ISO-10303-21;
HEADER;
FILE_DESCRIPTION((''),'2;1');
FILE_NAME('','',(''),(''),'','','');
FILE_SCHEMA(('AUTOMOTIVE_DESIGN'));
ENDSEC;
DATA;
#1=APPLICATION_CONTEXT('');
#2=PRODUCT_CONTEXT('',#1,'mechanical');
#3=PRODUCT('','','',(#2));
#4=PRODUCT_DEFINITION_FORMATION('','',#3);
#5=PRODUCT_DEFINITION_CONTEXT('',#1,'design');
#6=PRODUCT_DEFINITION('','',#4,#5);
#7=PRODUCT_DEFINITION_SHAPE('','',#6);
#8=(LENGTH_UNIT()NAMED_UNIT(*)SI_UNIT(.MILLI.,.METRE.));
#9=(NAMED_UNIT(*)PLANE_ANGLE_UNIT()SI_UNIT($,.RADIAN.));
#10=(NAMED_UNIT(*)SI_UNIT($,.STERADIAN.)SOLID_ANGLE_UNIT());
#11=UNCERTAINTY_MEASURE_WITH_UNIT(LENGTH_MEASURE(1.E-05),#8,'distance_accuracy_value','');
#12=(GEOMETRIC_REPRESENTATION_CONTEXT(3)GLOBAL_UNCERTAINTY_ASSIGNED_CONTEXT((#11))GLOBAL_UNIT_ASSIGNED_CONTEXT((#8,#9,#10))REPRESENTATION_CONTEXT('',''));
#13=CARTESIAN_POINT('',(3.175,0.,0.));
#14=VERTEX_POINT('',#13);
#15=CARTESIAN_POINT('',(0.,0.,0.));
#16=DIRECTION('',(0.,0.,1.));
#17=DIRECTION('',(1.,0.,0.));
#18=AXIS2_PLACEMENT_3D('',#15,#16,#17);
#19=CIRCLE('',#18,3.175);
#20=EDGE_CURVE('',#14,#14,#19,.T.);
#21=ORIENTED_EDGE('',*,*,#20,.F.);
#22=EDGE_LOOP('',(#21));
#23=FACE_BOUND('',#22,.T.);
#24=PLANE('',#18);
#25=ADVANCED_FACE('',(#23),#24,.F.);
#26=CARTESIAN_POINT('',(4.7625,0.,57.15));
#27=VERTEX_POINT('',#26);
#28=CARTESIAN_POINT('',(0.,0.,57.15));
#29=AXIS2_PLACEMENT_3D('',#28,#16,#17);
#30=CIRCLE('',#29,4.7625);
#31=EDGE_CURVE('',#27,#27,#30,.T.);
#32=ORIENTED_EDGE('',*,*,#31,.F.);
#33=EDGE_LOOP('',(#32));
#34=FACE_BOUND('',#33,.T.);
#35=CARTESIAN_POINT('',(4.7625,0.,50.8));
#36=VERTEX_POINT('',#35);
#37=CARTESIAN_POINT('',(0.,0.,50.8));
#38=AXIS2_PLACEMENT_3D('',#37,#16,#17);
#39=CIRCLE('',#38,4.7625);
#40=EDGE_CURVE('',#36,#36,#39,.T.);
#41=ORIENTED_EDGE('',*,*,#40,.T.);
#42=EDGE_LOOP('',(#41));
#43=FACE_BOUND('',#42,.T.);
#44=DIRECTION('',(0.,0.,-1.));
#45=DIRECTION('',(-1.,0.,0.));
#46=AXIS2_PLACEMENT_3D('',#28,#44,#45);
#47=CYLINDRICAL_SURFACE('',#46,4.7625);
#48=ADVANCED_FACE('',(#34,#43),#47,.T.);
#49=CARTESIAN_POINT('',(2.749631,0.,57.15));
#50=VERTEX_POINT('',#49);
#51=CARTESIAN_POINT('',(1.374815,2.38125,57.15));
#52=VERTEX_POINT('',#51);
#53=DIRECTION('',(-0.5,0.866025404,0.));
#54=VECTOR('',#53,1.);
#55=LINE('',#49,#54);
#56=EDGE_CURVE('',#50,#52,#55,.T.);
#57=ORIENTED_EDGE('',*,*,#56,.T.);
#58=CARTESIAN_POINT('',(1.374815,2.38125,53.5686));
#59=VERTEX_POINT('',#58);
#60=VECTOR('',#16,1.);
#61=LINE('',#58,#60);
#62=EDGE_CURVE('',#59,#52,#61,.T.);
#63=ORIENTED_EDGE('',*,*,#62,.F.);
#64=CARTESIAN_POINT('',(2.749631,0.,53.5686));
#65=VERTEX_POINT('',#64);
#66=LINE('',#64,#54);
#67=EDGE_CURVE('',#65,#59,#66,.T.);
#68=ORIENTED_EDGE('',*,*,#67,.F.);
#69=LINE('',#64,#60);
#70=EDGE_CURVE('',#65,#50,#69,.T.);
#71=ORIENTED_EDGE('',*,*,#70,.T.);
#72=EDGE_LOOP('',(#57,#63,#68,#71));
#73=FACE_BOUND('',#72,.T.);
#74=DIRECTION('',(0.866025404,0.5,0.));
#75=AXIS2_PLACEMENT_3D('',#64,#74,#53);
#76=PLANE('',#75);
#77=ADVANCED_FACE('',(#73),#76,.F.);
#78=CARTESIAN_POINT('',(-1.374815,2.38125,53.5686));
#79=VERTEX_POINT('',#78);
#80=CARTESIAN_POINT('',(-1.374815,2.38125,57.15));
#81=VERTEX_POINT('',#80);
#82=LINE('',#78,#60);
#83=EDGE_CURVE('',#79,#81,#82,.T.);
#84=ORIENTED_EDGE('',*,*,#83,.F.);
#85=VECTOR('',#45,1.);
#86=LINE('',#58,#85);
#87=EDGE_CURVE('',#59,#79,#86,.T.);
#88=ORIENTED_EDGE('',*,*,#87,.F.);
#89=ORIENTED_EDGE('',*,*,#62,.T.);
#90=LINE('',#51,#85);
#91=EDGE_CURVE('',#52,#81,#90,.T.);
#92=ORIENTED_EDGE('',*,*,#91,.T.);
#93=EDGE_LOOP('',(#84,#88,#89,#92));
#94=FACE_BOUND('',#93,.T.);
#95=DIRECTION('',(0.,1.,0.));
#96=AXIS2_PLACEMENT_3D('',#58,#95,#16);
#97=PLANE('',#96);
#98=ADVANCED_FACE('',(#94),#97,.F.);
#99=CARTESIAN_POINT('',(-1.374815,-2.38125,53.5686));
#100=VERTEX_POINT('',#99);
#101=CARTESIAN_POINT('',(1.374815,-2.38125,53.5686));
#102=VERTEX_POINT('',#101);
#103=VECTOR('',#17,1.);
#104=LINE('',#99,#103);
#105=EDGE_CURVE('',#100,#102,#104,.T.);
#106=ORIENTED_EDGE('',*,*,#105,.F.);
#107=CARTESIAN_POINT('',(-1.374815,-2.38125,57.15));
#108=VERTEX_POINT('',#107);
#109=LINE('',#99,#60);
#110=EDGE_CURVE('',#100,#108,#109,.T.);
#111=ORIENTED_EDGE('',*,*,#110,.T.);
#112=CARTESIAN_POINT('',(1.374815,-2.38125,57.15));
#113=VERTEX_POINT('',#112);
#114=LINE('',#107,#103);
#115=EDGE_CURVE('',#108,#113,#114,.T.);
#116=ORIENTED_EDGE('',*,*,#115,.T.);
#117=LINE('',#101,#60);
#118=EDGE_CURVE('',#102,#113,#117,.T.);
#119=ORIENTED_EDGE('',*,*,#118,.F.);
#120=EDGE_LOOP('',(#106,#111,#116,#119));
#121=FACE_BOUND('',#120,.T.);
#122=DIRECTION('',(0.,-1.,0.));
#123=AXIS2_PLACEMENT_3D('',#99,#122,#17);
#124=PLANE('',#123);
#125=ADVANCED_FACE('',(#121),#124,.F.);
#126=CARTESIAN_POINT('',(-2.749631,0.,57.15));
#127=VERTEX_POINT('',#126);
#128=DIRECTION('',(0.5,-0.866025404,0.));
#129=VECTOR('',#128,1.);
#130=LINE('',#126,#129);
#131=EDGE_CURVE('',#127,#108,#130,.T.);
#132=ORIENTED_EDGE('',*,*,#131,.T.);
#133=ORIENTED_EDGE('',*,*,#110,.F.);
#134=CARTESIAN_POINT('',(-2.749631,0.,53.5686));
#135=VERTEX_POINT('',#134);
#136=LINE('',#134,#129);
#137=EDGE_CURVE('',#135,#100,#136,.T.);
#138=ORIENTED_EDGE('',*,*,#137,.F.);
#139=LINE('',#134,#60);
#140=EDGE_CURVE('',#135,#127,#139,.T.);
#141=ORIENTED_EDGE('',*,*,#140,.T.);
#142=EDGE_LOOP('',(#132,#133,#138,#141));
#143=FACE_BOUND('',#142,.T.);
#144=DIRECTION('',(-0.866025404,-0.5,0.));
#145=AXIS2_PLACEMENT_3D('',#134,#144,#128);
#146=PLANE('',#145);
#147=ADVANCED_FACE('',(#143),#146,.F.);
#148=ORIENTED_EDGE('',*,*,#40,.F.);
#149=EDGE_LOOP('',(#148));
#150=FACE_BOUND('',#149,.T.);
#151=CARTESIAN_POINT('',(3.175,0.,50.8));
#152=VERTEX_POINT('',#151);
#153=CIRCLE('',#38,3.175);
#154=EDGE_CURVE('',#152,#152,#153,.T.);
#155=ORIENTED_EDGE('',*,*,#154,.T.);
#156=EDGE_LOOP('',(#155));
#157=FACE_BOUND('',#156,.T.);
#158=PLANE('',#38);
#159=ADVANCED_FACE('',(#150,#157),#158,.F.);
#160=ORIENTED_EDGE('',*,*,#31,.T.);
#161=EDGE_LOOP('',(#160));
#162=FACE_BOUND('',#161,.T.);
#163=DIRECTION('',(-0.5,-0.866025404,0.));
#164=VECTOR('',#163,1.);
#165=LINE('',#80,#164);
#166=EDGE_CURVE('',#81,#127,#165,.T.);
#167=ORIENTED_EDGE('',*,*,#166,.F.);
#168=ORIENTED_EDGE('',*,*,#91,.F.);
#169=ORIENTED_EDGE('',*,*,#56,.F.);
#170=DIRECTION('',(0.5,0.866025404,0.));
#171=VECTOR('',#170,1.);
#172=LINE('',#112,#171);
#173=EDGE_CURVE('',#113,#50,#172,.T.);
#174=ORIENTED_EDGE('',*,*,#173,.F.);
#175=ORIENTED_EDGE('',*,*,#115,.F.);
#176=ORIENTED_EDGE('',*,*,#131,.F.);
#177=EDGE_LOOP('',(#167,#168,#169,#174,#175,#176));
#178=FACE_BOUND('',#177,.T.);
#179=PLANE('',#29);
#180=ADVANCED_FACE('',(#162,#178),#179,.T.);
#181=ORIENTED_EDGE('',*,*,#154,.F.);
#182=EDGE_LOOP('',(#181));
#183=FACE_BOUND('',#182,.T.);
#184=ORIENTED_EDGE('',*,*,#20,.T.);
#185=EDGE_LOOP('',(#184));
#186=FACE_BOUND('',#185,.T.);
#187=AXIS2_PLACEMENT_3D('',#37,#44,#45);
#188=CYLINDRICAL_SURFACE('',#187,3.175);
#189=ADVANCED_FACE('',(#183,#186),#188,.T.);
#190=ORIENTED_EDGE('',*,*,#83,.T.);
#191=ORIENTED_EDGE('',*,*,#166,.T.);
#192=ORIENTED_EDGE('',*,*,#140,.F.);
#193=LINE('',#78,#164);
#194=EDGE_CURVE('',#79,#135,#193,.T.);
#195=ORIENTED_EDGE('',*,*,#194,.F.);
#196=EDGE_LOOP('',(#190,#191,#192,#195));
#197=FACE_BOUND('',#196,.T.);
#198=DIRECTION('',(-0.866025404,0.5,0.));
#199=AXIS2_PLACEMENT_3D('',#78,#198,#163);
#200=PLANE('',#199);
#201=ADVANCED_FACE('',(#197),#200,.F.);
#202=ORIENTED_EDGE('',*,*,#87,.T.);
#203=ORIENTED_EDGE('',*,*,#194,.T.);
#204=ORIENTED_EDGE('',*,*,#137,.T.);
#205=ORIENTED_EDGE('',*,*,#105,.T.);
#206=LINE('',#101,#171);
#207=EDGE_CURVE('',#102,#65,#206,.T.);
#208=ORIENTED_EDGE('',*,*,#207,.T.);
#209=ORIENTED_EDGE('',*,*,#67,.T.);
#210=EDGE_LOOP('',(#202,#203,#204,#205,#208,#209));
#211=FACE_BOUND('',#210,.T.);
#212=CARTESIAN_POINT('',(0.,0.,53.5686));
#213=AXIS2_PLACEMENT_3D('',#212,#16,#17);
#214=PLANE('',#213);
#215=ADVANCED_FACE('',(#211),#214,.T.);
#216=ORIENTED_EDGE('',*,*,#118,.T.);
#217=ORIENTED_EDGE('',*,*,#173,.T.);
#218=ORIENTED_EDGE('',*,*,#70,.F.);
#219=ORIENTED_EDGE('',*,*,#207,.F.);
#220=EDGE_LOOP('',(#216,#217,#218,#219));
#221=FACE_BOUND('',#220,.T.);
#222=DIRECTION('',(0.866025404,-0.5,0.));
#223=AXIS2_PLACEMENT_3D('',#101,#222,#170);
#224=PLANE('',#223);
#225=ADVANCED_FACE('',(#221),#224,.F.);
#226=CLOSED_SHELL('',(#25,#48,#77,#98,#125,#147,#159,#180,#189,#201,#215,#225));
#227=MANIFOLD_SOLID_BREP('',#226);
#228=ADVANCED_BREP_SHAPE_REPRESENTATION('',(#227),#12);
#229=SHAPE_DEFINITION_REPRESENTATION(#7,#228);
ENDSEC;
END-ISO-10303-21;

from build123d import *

# Parameters (mm, degrees)
SKETCH1_R           = 3.175
BOSS_EXTRUDE1_DEPTH = 50.8
SKETCH2_R           = 4.7625
BOSS_EXTRUDE2_DEPTH = 6.35
CUT_EXTRUDE1_DEPTH  = 3.5814


with BuildPart() as part:
    # Sketch1 → Boss-Extrude1 (new body)
    with BuildSketch(Plane.XY):
        Circle(SKETCH1_R)
    extrude(amount=BOSS_EXTRUDE1_DEPTH)

    # Sketch2 → Boss-Extrude2 (add)
    with BuildSketch(Plane.XY.offset(50.8)):
        Circle(SKETCH2_R)
    extrude(amount=BOSS_EXTRUDE2_DEPTH)

    # Sketch3 → Cut-Extrude1 (cut)
    with BuildSketch(Plane.XY.offset(57.15)):
        Polygon((2.749630657, 0), (1.374815329, 2.38125), (-1.374815329, 2.38125), (-2.749630657, 0), (-1.374815329, -2.38125), (1.374815329, -2.38125), align=None)
    extrude(amount=-CUT_EXTRUDE1_DEPTH, mode=Mode.SUBTRACT)


solid = part.part
